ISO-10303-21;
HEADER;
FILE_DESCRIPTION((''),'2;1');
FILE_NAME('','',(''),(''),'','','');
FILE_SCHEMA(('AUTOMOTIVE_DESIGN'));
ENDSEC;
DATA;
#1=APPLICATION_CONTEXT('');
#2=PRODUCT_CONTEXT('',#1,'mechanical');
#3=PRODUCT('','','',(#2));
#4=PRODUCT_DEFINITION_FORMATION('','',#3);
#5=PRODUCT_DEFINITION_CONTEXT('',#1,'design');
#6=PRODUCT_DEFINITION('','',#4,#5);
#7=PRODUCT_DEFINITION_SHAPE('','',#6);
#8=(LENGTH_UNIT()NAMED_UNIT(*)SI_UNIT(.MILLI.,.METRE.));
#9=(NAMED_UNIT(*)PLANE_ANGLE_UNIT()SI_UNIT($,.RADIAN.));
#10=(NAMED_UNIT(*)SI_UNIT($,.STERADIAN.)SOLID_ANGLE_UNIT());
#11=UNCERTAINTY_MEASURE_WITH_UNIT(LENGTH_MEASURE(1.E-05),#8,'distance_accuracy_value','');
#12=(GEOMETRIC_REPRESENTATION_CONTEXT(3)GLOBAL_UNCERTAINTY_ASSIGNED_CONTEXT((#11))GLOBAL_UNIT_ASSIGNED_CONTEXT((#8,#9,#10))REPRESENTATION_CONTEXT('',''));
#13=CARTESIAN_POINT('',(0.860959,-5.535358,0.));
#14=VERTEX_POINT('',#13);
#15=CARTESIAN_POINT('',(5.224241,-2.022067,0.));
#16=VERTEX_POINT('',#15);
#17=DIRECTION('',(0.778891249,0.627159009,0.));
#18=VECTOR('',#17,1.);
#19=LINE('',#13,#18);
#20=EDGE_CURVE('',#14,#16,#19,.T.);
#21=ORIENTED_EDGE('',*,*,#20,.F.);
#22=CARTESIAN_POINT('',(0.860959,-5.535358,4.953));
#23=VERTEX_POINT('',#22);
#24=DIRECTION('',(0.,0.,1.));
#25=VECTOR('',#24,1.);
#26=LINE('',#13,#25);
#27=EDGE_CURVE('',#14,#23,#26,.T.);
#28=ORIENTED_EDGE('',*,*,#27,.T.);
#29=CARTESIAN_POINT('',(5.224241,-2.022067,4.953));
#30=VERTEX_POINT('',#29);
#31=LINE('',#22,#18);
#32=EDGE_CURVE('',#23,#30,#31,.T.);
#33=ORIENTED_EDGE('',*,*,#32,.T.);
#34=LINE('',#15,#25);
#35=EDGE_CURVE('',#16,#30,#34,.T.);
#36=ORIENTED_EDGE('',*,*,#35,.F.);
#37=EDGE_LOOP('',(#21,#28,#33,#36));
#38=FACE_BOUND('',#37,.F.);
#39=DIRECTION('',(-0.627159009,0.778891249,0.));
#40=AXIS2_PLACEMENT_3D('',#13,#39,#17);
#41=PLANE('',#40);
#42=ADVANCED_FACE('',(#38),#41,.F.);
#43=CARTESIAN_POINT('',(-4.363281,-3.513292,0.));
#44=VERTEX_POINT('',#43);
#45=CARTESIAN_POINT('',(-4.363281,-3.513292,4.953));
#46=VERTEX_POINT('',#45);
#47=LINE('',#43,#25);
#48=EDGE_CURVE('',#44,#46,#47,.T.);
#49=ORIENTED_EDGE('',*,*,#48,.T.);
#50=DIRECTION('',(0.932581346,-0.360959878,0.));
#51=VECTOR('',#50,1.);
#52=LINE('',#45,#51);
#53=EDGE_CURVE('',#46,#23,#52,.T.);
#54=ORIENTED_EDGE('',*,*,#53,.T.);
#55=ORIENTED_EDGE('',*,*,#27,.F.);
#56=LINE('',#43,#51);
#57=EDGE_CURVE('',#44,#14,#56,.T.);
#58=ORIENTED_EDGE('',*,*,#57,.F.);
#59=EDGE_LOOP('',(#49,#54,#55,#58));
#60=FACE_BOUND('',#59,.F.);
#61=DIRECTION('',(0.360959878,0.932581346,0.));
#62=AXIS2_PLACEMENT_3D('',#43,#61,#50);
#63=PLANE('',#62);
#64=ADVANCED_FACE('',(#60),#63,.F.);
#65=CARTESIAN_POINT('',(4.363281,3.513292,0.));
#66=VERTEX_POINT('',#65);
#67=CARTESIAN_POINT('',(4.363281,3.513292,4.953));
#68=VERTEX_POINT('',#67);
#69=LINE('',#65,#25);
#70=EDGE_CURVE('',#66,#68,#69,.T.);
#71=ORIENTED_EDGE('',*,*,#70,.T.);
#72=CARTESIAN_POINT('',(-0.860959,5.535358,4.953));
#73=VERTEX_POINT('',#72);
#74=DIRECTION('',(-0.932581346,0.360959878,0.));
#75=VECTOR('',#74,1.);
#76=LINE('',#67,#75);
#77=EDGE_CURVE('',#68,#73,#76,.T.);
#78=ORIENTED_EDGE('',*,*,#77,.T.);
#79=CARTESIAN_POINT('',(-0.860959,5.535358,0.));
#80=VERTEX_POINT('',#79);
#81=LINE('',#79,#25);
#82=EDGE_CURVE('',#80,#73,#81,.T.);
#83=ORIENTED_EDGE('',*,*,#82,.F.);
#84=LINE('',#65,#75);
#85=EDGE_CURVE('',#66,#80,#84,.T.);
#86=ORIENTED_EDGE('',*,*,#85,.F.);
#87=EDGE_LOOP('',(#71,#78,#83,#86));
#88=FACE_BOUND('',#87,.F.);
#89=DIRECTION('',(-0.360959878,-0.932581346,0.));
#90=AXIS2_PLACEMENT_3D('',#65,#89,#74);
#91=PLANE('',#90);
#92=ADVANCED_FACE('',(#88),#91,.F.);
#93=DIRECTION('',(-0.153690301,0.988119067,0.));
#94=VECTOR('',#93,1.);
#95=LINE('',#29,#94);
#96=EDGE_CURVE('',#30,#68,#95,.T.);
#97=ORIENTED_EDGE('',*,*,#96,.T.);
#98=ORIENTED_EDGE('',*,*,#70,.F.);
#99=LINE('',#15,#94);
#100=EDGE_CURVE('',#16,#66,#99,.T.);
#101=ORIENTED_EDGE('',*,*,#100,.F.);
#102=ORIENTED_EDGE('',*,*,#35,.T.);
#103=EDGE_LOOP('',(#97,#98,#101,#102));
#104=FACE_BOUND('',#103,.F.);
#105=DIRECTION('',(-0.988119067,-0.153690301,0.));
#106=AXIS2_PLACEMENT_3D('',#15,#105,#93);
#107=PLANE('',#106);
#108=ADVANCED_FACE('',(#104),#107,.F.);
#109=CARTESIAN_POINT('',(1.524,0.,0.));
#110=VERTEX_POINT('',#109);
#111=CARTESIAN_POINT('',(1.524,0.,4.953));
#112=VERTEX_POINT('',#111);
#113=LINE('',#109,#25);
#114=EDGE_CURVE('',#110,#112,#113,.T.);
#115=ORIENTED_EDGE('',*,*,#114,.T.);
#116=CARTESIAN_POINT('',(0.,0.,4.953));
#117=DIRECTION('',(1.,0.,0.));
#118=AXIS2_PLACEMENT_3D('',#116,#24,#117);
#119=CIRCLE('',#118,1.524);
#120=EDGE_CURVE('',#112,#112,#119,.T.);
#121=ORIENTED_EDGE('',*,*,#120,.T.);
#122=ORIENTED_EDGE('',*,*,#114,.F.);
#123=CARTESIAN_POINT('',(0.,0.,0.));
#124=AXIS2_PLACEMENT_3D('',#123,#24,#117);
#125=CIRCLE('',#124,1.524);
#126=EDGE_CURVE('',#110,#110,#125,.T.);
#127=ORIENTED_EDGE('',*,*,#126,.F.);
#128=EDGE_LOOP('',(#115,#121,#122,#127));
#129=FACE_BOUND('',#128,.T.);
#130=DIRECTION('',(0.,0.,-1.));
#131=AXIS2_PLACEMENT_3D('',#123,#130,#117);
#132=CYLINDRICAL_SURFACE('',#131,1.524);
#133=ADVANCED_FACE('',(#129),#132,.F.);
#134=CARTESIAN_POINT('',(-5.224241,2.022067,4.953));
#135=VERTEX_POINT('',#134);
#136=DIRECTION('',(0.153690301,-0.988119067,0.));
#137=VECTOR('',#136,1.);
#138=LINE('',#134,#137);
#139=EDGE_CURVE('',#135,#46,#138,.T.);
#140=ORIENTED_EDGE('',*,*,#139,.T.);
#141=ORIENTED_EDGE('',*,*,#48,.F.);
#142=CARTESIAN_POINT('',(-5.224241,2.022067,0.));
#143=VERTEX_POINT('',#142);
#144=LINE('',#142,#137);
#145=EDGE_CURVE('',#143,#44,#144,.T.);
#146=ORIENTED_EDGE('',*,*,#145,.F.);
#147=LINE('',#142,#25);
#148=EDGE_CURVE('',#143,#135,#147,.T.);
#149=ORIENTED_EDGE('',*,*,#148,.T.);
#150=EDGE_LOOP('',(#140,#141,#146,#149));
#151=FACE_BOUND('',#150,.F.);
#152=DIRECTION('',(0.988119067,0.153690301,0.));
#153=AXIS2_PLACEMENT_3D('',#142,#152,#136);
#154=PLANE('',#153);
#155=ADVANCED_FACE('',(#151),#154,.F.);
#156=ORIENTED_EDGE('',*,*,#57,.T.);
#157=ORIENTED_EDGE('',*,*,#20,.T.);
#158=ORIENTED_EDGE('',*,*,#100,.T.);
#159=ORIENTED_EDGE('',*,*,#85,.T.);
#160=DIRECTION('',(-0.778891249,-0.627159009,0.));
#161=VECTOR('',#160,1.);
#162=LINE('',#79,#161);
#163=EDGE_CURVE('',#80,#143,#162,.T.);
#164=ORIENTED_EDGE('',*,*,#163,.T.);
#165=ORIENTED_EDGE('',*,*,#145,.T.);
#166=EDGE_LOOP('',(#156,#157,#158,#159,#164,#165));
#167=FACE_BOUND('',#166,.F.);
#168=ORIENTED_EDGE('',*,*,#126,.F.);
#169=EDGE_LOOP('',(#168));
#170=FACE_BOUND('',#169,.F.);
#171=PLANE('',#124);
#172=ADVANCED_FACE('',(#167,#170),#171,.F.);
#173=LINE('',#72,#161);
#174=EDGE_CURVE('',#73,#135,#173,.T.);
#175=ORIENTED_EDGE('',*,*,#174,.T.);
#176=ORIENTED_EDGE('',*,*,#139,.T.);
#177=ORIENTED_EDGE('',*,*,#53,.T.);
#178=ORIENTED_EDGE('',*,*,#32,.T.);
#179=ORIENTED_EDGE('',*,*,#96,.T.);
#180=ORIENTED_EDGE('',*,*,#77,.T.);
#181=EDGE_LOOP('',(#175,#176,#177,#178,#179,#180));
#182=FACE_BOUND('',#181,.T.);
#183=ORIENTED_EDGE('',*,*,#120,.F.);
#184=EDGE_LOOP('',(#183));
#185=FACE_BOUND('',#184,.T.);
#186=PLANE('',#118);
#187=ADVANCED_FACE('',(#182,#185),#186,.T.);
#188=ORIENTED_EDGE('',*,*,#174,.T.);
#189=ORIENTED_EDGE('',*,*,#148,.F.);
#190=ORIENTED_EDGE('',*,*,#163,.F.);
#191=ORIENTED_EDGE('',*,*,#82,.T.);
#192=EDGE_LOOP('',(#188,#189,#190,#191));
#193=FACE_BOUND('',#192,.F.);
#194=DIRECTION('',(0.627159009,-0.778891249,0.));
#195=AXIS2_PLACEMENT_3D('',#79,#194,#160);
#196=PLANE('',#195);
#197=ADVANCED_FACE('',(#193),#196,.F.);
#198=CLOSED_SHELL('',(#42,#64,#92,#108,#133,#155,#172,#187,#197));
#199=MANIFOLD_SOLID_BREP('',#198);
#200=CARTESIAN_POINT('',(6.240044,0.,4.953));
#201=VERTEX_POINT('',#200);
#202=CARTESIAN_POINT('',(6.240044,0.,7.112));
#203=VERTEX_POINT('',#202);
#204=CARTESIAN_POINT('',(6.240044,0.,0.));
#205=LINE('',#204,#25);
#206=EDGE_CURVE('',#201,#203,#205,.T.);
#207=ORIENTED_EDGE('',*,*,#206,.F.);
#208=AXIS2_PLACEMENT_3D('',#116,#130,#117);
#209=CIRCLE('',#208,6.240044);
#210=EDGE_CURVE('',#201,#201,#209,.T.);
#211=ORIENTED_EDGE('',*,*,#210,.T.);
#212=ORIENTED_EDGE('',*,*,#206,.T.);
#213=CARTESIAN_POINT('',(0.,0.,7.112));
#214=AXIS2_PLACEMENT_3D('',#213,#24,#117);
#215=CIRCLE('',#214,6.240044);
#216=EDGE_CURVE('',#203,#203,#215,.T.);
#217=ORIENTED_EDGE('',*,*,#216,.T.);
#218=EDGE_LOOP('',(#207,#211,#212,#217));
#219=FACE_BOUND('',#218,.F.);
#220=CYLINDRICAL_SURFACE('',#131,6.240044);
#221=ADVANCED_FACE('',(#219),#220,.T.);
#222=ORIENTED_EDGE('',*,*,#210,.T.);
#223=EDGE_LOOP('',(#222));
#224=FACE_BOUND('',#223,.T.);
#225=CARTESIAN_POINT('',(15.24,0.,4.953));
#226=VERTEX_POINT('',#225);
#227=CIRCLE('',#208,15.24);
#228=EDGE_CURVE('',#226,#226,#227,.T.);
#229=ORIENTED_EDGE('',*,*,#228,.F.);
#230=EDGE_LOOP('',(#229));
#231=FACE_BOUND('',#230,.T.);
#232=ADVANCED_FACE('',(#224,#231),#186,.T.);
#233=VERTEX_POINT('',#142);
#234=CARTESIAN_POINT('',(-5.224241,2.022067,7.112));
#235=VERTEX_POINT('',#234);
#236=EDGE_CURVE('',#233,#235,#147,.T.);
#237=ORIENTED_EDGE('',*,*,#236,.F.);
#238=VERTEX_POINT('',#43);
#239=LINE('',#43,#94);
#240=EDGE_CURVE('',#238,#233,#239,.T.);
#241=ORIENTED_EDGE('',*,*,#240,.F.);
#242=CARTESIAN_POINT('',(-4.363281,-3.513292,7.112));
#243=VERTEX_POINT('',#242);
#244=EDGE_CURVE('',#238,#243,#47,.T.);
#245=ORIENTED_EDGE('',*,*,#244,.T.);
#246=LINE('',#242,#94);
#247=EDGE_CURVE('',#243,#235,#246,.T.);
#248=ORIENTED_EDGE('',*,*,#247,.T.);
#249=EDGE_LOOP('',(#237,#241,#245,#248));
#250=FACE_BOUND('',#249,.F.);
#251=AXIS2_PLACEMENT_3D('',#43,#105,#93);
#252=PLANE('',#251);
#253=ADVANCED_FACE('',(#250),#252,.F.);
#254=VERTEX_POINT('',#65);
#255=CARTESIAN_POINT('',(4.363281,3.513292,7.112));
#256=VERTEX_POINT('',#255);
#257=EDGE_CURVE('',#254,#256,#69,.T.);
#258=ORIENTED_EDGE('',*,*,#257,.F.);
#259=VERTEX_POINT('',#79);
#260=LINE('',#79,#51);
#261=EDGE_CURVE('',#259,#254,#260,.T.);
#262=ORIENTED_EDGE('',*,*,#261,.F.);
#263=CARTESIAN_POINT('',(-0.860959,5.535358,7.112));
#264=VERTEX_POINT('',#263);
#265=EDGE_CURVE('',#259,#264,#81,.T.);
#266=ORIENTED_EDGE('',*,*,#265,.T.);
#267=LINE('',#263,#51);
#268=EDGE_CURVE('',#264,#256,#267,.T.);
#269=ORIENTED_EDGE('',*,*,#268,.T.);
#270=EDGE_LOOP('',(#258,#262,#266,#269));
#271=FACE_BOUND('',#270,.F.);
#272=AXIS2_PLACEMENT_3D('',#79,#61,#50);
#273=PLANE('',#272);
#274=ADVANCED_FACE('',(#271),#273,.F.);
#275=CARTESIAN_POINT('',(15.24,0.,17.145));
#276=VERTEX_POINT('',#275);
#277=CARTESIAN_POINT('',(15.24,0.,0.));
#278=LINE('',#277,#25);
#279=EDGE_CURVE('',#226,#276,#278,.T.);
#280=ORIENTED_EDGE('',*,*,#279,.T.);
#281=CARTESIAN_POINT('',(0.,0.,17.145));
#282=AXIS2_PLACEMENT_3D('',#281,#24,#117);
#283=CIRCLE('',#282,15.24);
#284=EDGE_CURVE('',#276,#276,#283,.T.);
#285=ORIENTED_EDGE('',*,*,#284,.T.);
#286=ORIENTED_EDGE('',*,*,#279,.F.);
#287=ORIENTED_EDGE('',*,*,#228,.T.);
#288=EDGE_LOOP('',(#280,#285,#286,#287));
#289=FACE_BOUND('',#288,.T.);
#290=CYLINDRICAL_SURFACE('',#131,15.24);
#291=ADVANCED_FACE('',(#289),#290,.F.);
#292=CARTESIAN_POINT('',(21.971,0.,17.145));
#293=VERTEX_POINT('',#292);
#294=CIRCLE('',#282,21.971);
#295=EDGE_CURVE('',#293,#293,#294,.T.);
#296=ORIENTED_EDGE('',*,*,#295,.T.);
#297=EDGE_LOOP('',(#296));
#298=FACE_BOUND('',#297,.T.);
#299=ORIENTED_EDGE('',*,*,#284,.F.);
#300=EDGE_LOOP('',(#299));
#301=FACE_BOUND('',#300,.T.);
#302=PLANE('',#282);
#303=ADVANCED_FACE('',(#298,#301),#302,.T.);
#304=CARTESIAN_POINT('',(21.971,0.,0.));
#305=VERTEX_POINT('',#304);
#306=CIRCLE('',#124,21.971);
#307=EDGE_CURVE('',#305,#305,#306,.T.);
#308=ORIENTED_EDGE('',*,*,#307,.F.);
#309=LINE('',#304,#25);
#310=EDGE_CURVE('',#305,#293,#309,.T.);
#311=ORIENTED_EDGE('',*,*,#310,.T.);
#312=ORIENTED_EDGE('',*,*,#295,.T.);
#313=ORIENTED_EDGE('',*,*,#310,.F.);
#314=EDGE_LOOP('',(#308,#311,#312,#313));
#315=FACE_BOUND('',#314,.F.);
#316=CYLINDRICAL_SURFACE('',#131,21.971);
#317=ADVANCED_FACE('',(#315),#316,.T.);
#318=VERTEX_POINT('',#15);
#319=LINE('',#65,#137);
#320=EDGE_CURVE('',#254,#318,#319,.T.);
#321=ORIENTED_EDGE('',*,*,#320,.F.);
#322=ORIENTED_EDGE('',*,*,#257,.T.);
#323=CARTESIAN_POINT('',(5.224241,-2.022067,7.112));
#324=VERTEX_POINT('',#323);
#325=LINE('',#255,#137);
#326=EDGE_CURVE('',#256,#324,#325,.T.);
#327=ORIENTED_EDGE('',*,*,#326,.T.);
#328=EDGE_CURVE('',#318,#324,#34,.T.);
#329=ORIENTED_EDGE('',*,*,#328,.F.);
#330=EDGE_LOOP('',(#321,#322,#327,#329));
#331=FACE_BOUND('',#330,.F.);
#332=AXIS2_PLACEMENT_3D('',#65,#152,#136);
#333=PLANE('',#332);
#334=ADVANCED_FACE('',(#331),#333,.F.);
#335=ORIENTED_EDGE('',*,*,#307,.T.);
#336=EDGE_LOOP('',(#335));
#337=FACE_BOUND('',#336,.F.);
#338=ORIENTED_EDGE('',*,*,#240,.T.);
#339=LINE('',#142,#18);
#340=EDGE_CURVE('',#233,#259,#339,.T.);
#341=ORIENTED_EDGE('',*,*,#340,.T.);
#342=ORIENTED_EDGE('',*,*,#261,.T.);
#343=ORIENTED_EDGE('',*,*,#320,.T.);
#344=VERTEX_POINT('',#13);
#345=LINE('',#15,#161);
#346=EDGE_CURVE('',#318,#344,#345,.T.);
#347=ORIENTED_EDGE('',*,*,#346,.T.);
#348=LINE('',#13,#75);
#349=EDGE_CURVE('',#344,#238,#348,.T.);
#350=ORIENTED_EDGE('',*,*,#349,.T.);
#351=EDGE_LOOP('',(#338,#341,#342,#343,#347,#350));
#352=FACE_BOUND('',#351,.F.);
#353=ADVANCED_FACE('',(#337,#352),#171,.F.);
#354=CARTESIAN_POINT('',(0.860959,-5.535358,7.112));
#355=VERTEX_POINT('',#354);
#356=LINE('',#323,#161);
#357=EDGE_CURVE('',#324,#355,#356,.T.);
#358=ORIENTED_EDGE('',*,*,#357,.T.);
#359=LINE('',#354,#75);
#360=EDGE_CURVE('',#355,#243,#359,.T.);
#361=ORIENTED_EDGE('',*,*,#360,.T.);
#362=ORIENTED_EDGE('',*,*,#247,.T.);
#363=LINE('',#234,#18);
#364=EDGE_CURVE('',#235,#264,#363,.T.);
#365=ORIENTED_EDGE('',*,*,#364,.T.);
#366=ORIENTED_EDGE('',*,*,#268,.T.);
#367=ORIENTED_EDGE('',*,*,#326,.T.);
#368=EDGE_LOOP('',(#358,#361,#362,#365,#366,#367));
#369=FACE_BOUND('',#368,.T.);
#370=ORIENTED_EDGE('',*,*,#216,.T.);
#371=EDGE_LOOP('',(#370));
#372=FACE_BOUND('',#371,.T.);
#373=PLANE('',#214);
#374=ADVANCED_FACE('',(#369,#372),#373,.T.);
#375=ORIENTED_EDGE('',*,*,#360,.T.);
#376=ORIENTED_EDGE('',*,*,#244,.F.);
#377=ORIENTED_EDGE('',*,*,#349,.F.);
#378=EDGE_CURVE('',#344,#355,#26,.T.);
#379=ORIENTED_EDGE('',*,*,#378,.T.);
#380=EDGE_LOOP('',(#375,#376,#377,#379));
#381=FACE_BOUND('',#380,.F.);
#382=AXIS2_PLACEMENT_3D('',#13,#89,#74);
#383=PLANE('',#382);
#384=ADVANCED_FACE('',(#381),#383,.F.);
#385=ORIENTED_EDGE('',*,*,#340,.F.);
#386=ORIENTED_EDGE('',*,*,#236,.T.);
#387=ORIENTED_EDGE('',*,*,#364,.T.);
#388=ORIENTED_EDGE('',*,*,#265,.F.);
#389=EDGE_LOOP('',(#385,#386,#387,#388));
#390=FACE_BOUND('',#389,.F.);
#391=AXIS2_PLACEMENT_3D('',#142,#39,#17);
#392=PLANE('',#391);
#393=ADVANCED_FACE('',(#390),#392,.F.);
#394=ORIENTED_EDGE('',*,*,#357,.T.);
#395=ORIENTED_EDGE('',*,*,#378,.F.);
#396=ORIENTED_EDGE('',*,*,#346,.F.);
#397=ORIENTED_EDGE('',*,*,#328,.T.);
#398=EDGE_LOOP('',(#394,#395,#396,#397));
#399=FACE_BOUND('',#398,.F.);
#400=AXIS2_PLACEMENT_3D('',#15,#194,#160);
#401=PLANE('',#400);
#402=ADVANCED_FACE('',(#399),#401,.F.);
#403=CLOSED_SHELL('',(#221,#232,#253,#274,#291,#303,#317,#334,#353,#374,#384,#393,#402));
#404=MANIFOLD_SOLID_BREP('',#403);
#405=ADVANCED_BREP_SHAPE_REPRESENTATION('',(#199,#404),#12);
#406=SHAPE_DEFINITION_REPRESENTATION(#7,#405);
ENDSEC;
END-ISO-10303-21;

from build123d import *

# Parameters (mm, degrees)
F0_R     = 1.524
F1_DEPTH = 4.953
F0_R_2   = 6.240044
F2_DEPTH = 7.112
F3_R     = 15.494
F3_R_2   = 5.855876
F4_DEPTH = 4.953
F5_R     = 21.971
F5_R_2   = 15.24
F6_DEPTH = 17.145


with BuildPart() as f1:
    # F0 (on Top) → F1 (new body)
    with BuildSketch(Plane.XY):
        Polygon((-0.860959, 5.535358), (-5.224241, 2.022067), (-4.363281, -3.513292), (0.860959, -5.535358), (5.224241, -2.022067), (4.363281, 3.513292), align=None)
        Circle(F0_R, mode=Mode.SUBTRACT)
    extrude(amount=F1_DEPTH)


with BuildPart() as f2:
    # F0 (on Top) → F2 (new body)
    with BuildSketch(Plane.XY):
        Circle(F0_R_2)
        Polygon((-4.363281, -3.513292), (-5.224241, 2.022067), (-0.860959, 5.535358), (4.363281, 3.513292), (5.224241, -2.022067), (0.860959, -5.535358), align=None, mode=Mode.SUBTRACT)
    extrude(amount=F2_DEPTH)

    # F3 (on Top) → F4 (join)
    with BuildSketch(Plane.XY):
        Circle(F3_R)
        Circle(F3_R_2, mode=Mode.SUBTRACT)
    extrude(amount=F4_DEPTH)

    # F5 (on Top) → F6 (join)
    with BuildSketch(Plane.XY):
        Circle(F5_R)
        Circle(F5_R_2, mode=Mode.SUBTRACT)
    extrude(amount=F6_DEPTH)


solid = Compound([f1.part, f2.part])
